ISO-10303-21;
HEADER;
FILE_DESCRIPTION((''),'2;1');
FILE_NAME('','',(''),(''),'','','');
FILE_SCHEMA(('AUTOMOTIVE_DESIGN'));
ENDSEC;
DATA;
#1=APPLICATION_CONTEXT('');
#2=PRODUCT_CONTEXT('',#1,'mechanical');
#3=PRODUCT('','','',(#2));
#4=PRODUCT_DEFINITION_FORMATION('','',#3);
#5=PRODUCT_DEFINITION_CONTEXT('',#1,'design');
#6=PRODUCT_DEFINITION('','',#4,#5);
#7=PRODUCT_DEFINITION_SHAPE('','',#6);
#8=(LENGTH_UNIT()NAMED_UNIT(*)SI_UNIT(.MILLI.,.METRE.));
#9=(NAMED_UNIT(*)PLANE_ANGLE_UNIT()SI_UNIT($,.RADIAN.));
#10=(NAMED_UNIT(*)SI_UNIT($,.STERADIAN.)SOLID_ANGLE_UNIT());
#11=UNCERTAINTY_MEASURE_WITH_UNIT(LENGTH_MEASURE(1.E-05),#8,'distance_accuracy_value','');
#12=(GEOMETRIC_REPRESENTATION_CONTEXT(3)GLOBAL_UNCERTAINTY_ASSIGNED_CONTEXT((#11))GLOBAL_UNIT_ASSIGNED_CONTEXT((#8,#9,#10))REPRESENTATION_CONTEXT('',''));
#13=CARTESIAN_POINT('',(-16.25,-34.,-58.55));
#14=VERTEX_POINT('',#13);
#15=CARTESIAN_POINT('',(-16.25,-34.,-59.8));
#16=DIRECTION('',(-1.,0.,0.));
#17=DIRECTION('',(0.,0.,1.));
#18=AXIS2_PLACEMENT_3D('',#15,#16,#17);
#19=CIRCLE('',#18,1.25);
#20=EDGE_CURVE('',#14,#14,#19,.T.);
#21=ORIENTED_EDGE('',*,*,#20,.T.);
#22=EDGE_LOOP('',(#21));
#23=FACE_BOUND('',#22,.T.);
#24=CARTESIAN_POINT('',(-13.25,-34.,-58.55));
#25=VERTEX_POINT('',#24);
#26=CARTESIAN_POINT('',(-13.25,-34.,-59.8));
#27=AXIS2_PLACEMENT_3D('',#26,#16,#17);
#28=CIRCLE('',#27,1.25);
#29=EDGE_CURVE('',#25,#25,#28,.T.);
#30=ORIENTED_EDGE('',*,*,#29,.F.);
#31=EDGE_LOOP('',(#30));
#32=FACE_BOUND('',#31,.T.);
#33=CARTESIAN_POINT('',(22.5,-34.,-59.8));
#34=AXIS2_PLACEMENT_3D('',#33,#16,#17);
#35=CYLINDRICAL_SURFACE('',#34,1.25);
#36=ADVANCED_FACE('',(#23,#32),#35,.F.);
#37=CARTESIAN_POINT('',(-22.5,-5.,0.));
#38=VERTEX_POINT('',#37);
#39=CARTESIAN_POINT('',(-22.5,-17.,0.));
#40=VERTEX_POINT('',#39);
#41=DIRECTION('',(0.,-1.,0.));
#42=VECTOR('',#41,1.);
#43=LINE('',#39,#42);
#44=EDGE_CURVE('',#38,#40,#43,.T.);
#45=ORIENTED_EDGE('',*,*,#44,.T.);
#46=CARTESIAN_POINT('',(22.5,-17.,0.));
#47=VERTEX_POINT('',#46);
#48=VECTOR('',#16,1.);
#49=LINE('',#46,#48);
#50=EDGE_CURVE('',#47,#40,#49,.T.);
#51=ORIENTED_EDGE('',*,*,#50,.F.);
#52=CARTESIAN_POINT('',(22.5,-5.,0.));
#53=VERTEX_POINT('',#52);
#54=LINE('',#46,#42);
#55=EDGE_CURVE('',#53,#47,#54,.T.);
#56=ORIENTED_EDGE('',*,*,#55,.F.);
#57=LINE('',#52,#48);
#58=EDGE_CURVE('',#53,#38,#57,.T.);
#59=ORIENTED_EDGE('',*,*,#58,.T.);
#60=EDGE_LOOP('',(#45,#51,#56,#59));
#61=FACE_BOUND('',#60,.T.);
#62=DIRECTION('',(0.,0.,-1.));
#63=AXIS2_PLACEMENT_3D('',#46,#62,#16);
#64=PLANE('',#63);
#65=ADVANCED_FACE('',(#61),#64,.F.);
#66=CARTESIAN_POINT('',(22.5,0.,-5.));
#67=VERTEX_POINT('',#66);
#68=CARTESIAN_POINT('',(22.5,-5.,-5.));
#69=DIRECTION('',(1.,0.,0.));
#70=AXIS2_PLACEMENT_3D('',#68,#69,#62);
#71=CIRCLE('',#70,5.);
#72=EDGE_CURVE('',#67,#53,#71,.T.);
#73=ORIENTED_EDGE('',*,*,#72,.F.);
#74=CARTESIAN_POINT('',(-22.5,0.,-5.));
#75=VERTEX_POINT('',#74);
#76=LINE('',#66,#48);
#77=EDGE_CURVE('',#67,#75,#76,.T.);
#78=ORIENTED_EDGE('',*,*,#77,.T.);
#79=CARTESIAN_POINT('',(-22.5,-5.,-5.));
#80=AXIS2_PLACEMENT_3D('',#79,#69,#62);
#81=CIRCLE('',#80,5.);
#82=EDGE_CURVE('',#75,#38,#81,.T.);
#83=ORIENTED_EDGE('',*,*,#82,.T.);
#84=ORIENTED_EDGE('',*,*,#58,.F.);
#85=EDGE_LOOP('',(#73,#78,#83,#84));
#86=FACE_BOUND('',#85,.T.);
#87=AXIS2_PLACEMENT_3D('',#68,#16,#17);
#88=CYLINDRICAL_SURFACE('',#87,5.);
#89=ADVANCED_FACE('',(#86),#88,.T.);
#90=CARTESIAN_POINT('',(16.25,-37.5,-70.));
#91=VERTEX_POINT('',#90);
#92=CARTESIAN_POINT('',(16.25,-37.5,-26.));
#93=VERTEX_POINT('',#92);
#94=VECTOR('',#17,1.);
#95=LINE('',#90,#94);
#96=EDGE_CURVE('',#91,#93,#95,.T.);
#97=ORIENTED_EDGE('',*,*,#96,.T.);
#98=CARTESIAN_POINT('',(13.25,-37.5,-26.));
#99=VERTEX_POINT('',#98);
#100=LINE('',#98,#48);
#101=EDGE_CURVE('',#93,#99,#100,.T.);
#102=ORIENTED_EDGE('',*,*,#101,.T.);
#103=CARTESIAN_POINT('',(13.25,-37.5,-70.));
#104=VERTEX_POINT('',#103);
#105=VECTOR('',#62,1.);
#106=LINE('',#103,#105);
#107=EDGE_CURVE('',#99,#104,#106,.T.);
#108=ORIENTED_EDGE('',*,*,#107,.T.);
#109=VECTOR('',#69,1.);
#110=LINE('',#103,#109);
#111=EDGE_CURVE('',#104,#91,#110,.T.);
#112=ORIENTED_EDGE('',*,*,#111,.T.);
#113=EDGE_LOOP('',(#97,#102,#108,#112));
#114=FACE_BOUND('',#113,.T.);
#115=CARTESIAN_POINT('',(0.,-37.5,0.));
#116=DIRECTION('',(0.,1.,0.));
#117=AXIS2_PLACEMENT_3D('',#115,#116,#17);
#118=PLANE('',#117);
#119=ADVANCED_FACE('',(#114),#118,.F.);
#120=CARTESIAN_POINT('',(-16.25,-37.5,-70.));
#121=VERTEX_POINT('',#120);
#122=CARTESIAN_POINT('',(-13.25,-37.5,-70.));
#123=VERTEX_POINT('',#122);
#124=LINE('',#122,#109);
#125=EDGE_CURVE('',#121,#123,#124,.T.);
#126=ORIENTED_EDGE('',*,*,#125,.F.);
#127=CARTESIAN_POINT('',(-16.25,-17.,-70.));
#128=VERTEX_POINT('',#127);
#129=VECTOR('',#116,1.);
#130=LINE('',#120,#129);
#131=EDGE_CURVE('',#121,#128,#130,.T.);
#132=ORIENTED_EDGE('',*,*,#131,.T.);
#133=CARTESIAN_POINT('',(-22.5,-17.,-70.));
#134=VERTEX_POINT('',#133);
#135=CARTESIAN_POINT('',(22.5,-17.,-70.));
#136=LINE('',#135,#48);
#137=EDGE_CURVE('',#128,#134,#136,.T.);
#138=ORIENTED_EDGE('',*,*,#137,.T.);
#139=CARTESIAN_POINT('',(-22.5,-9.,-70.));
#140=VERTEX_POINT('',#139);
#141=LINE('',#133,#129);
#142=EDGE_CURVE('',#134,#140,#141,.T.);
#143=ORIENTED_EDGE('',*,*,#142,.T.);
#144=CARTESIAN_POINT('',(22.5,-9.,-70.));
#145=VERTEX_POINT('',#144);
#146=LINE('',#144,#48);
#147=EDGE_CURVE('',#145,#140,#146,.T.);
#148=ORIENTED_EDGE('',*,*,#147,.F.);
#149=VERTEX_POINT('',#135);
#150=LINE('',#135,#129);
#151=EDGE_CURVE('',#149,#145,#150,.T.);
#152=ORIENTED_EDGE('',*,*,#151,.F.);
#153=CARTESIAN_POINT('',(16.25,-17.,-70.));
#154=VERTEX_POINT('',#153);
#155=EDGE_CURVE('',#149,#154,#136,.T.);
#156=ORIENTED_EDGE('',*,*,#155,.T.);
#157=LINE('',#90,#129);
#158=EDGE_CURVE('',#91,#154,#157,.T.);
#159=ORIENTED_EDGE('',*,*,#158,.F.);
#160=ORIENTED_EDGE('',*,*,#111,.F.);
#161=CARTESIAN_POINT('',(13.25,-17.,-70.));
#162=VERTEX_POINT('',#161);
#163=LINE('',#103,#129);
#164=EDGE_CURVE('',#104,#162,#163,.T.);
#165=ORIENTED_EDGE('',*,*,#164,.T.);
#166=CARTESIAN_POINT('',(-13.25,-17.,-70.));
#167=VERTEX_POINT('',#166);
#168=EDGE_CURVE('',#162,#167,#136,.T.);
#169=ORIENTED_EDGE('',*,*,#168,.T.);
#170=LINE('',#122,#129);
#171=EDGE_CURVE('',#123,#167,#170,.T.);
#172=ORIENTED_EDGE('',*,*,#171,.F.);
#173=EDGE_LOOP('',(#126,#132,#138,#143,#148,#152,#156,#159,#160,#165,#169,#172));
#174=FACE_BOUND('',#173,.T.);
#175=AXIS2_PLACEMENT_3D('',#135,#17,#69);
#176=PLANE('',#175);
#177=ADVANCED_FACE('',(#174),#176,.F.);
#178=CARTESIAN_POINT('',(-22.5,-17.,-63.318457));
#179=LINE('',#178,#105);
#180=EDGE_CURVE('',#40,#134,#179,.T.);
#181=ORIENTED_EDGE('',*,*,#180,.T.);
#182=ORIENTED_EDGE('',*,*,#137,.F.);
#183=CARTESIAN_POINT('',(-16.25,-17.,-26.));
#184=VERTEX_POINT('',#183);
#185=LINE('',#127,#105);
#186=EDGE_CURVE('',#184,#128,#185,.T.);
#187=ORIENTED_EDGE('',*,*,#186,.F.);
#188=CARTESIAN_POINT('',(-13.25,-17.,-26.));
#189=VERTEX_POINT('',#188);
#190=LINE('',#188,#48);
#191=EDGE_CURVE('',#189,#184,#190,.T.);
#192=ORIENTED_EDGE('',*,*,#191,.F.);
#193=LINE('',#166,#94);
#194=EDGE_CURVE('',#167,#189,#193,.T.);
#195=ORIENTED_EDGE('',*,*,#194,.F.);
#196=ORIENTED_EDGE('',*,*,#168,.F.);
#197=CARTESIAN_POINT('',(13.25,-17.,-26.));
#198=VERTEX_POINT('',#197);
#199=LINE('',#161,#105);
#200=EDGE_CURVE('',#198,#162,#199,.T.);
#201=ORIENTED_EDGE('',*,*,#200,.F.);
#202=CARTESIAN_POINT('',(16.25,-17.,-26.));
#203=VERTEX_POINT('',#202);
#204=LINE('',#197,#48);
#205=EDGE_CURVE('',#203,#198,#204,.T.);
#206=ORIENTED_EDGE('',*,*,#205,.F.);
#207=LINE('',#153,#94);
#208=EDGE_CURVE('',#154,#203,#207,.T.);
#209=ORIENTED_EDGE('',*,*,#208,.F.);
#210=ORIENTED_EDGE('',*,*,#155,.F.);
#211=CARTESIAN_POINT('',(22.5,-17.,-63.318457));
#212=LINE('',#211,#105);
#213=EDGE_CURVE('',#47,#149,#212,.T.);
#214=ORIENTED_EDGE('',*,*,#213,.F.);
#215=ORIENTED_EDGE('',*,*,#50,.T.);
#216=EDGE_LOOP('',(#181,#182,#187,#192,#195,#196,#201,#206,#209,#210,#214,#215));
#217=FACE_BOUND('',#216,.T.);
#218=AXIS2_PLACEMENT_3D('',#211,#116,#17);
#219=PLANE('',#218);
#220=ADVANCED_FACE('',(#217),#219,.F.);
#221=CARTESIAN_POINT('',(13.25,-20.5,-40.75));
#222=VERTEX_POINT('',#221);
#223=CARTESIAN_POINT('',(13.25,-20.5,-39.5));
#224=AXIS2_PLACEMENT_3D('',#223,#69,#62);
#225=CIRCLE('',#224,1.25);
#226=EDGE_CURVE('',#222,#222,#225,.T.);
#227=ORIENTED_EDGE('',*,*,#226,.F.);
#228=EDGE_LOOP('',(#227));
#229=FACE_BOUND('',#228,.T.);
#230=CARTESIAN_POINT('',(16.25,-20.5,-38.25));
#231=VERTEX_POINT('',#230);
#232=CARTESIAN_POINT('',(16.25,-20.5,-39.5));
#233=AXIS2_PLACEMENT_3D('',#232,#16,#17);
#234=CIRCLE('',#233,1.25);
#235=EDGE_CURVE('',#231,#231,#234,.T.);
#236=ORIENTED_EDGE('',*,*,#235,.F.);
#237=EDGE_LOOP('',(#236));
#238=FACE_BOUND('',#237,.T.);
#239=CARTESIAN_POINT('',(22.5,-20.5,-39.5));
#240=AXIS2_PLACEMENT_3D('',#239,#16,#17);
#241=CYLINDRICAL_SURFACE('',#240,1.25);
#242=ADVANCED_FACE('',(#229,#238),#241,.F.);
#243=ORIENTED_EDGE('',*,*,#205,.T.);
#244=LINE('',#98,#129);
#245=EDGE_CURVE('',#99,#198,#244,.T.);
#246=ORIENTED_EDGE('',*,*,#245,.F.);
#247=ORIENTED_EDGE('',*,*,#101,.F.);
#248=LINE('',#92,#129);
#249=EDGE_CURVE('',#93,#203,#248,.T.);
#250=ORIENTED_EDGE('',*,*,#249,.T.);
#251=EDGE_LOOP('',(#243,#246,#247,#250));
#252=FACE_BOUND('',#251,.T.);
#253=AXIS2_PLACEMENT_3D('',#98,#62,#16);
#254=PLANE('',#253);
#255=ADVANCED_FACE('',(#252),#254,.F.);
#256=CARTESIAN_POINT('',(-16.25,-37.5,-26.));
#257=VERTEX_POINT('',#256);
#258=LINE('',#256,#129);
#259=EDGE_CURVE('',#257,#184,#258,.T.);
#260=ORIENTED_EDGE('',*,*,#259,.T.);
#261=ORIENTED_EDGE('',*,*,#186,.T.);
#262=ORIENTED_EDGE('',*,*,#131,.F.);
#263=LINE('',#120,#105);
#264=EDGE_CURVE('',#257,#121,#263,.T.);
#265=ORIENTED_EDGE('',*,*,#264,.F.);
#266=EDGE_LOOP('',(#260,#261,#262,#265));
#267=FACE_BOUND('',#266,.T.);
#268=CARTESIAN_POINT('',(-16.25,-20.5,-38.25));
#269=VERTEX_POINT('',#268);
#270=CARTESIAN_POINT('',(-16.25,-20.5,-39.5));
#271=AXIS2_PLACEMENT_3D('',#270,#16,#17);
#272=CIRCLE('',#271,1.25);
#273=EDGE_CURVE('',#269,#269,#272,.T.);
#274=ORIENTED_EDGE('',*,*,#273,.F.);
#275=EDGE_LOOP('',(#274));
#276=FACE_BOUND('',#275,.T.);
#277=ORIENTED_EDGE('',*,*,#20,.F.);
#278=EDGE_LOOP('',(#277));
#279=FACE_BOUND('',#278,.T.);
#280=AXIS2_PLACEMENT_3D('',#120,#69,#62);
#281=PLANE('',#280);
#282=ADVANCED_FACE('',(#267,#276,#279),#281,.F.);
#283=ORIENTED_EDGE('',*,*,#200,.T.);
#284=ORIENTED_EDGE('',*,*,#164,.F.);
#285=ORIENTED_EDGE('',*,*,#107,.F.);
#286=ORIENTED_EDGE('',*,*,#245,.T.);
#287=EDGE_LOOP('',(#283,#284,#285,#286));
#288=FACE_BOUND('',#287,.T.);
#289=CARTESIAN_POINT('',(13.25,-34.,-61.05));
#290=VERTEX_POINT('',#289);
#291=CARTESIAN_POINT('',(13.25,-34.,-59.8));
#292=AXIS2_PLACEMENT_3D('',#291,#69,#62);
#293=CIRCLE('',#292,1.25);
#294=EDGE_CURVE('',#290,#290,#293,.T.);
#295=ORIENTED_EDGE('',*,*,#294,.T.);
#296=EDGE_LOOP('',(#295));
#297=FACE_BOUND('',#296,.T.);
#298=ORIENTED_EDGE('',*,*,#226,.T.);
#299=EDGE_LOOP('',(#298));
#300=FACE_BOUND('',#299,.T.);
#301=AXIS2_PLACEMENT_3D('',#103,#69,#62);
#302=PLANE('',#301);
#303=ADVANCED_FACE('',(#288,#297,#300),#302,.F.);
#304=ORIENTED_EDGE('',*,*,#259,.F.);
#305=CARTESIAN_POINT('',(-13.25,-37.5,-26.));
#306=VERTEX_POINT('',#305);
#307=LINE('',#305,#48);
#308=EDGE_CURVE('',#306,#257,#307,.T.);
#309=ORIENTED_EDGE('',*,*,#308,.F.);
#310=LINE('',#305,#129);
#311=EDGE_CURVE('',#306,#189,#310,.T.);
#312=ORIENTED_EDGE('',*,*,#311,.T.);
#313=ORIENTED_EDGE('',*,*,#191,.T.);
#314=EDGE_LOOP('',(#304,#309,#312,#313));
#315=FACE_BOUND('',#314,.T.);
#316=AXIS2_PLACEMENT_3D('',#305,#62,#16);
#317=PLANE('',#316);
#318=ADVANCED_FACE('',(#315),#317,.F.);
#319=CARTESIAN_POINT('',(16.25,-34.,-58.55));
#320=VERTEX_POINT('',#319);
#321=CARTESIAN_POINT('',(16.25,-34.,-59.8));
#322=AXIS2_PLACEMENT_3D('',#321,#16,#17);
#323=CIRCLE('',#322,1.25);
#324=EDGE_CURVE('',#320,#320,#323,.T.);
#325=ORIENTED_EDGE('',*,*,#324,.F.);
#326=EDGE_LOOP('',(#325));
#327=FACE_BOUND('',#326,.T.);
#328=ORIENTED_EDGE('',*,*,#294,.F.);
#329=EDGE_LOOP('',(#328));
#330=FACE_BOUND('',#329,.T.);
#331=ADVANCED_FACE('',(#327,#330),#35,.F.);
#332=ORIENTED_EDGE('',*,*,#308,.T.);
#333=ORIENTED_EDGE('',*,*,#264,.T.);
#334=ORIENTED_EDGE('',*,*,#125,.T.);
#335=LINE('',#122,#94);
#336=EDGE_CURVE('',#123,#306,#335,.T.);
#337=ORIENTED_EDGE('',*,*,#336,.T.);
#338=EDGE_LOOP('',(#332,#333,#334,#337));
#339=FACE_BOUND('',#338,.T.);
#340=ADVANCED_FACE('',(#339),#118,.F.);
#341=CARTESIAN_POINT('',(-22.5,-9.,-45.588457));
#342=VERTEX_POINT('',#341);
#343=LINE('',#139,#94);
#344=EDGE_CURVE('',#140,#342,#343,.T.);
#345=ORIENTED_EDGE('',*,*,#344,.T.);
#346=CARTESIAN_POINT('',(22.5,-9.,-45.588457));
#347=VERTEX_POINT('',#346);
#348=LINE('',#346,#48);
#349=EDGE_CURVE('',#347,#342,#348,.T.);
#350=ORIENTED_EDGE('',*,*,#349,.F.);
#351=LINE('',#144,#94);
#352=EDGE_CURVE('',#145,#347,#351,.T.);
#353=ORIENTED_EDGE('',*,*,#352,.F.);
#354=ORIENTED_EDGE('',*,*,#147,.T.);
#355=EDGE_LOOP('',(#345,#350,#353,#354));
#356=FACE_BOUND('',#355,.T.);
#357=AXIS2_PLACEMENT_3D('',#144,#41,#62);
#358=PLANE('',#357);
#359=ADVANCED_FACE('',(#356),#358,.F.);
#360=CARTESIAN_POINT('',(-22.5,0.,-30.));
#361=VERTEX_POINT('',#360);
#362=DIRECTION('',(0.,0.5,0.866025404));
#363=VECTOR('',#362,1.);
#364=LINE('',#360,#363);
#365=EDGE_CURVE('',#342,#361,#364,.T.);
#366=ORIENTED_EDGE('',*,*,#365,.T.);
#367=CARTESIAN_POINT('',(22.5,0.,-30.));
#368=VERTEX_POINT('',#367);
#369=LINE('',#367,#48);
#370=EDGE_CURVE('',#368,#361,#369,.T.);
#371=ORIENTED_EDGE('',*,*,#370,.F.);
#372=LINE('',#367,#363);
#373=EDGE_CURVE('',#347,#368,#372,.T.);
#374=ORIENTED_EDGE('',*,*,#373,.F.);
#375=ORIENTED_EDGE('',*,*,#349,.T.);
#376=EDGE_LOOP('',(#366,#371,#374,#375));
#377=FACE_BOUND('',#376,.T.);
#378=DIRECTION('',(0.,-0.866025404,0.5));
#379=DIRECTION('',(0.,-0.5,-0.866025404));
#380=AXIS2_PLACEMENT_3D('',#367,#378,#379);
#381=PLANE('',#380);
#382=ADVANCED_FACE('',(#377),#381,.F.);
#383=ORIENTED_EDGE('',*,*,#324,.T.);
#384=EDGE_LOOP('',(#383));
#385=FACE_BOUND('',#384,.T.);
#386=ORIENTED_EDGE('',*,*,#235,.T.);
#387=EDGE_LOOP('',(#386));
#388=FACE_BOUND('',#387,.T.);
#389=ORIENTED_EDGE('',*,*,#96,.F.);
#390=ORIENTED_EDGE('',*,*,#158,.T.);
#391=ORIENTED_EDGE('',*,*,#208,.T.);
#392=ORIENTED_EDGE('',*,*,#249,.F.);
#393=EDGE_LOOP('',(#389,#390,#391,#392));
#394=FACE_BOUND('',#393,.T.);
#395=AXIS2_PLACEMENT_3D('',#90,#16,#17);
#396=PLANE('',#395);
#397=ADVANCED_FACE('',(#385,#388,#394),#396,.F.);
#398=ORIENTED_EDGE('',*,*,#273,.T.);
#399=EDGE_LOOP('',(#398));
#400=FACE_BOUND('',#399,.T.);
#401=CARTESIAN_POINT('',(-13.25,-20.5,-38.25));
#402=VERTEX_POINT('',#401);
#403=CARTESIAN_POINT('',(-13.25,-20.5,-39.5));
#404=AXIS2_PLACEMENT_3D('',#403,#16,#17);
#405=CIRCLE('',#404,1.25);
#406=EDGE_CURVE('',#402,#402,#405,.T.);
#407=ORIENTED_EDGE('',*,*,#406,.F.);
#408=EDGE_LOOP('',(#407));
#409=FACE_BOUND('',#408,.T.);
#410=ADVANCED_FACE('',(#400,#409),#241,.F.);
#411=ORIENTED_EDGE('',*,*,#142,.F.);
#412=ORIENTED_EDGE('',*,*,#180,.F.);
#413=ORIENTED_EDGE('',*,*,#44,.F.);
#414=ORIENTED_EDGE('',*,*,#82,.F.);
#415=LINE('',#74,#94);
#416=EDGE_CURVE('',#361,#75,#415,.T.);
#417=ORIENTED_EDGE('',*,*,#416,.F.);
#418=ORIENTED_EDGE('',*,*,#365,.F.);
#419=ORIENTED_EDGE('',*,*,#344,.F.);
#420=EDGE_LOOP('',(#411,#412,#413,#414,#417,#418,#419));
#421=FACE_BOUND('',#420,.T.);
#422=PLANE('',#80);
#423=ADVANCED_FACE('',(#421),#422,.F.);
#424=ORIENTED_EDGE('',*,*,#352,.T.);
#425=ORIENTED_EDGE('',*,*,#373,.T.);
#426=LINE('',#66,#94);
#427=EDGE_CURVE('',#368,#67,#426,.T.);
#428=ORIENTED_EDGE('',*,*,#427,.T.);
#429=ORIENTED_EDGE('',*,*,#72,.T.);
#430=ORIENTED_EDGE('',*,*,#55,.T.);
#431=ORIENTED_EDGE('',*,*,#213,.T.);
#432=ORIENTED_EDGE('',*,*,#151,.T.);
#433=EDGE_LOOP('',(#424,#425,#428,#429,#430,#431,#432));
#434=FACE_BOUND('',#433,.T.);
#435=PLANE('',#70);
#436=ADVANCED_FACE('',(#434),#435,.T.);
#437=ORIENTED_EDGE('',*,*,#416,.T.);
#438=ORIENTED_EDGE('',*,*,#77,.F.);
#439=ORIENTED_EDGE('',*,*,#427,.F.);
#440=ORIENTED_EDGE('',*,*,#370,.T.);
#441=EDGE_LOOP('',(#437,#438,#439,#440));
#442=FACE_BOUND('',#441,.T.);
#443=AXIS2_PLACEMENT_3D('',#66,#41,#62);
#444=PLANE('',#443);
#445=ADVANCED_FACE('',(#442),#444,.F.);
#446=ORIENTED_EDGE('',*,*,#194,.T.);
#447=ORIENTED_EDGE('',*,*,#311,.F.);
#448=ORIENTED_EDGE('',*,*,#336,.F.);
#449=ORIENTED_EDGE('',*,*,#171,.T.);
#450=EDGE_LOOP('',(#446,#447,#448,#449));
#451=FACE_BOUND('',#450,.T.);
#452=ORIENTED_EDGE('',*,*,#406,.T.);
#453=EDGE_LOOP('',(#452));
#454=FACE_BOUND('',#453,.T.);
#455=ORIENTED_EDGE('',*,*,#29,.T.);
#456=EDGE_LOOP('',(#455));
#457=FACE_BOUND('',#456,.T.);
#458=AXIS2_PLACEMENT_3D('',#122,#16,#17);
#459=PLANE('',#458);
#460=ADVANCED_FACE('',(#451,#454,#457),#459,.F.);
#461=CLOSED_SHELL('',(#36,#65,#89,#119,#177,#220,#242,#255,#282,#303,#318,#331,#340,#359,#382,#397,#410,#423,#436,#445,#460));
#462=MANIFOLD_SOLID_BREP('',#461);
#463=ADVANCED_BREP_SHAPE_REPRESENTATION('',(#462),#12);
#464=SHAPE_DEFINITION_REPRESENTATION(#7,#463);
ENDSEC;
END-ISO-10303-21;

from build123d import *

# Parameters (mm, degrees)
BOSS_EXTRUDE1_DEPTH = 22.5
SKETCH2_W           = 3
SKETCH2_H           = 44
BOSS_EXTRUDE2_DEPTH = 20.5
SKETCH3_R           = 1.25
CUT_EXTRUDE1_DEPTH  = 39.75


with BuildPart() as part:
    # Sketch1 → Boss-Extrude1 (new body, symmetric)
    with BuildSketch(Plane(origin=(0, 0, 0), x_dir=(0, 0, -1), z_dir=(1, 0, 0))):
        with BuildLine():
            Line((5, 0), (30, 0))
            Line((30, 0), (45.588457268, -9))
            Line((45.588457268, -9), (70, -9))
            Line((70, -9), (70, -17))
            Line((70, -17), (63.318457268, -17))
            Line((63.318457268, -17), (0, -17))
            Line((0, -17), (0, -5))
            ThreePointArc((0, -5), (1.464466094, -1.464466094), (5, 0))
        make_face()
    extrude(amount=BOSS_EXTRUDE1_DEPTH, both=True)

    # Sketch2 → Boss-Extrude2 (add)
    with BuildSketch(Plane.XZ.offset(17)):
        with Locations((14.75, -48)):
            Rectangle(SKETCH2_W, SKETCH2_H)
        with Locations((-14.75, -48)):
            Rectangle(SKETCH2_W, SKETCH2_H)
    extrude(amount=BOSS_EXTRUDE2_DEPTH)

    # Sketch3 → Cut-Extrude1 (cut, through all)
    with BuildSketch(Plane.ZY.offset(16.25)):
        with Locations((-59.8, -34)):
            Circle(SKETCH3_R)
        with Locations((-39.5, -20.5)):
            Circle(SKETCH3_R)
    extrude(amount=-CUT_EXTRUDE1_DEPTH, mode=Mode.SUBTRACT)


solid = part.part
